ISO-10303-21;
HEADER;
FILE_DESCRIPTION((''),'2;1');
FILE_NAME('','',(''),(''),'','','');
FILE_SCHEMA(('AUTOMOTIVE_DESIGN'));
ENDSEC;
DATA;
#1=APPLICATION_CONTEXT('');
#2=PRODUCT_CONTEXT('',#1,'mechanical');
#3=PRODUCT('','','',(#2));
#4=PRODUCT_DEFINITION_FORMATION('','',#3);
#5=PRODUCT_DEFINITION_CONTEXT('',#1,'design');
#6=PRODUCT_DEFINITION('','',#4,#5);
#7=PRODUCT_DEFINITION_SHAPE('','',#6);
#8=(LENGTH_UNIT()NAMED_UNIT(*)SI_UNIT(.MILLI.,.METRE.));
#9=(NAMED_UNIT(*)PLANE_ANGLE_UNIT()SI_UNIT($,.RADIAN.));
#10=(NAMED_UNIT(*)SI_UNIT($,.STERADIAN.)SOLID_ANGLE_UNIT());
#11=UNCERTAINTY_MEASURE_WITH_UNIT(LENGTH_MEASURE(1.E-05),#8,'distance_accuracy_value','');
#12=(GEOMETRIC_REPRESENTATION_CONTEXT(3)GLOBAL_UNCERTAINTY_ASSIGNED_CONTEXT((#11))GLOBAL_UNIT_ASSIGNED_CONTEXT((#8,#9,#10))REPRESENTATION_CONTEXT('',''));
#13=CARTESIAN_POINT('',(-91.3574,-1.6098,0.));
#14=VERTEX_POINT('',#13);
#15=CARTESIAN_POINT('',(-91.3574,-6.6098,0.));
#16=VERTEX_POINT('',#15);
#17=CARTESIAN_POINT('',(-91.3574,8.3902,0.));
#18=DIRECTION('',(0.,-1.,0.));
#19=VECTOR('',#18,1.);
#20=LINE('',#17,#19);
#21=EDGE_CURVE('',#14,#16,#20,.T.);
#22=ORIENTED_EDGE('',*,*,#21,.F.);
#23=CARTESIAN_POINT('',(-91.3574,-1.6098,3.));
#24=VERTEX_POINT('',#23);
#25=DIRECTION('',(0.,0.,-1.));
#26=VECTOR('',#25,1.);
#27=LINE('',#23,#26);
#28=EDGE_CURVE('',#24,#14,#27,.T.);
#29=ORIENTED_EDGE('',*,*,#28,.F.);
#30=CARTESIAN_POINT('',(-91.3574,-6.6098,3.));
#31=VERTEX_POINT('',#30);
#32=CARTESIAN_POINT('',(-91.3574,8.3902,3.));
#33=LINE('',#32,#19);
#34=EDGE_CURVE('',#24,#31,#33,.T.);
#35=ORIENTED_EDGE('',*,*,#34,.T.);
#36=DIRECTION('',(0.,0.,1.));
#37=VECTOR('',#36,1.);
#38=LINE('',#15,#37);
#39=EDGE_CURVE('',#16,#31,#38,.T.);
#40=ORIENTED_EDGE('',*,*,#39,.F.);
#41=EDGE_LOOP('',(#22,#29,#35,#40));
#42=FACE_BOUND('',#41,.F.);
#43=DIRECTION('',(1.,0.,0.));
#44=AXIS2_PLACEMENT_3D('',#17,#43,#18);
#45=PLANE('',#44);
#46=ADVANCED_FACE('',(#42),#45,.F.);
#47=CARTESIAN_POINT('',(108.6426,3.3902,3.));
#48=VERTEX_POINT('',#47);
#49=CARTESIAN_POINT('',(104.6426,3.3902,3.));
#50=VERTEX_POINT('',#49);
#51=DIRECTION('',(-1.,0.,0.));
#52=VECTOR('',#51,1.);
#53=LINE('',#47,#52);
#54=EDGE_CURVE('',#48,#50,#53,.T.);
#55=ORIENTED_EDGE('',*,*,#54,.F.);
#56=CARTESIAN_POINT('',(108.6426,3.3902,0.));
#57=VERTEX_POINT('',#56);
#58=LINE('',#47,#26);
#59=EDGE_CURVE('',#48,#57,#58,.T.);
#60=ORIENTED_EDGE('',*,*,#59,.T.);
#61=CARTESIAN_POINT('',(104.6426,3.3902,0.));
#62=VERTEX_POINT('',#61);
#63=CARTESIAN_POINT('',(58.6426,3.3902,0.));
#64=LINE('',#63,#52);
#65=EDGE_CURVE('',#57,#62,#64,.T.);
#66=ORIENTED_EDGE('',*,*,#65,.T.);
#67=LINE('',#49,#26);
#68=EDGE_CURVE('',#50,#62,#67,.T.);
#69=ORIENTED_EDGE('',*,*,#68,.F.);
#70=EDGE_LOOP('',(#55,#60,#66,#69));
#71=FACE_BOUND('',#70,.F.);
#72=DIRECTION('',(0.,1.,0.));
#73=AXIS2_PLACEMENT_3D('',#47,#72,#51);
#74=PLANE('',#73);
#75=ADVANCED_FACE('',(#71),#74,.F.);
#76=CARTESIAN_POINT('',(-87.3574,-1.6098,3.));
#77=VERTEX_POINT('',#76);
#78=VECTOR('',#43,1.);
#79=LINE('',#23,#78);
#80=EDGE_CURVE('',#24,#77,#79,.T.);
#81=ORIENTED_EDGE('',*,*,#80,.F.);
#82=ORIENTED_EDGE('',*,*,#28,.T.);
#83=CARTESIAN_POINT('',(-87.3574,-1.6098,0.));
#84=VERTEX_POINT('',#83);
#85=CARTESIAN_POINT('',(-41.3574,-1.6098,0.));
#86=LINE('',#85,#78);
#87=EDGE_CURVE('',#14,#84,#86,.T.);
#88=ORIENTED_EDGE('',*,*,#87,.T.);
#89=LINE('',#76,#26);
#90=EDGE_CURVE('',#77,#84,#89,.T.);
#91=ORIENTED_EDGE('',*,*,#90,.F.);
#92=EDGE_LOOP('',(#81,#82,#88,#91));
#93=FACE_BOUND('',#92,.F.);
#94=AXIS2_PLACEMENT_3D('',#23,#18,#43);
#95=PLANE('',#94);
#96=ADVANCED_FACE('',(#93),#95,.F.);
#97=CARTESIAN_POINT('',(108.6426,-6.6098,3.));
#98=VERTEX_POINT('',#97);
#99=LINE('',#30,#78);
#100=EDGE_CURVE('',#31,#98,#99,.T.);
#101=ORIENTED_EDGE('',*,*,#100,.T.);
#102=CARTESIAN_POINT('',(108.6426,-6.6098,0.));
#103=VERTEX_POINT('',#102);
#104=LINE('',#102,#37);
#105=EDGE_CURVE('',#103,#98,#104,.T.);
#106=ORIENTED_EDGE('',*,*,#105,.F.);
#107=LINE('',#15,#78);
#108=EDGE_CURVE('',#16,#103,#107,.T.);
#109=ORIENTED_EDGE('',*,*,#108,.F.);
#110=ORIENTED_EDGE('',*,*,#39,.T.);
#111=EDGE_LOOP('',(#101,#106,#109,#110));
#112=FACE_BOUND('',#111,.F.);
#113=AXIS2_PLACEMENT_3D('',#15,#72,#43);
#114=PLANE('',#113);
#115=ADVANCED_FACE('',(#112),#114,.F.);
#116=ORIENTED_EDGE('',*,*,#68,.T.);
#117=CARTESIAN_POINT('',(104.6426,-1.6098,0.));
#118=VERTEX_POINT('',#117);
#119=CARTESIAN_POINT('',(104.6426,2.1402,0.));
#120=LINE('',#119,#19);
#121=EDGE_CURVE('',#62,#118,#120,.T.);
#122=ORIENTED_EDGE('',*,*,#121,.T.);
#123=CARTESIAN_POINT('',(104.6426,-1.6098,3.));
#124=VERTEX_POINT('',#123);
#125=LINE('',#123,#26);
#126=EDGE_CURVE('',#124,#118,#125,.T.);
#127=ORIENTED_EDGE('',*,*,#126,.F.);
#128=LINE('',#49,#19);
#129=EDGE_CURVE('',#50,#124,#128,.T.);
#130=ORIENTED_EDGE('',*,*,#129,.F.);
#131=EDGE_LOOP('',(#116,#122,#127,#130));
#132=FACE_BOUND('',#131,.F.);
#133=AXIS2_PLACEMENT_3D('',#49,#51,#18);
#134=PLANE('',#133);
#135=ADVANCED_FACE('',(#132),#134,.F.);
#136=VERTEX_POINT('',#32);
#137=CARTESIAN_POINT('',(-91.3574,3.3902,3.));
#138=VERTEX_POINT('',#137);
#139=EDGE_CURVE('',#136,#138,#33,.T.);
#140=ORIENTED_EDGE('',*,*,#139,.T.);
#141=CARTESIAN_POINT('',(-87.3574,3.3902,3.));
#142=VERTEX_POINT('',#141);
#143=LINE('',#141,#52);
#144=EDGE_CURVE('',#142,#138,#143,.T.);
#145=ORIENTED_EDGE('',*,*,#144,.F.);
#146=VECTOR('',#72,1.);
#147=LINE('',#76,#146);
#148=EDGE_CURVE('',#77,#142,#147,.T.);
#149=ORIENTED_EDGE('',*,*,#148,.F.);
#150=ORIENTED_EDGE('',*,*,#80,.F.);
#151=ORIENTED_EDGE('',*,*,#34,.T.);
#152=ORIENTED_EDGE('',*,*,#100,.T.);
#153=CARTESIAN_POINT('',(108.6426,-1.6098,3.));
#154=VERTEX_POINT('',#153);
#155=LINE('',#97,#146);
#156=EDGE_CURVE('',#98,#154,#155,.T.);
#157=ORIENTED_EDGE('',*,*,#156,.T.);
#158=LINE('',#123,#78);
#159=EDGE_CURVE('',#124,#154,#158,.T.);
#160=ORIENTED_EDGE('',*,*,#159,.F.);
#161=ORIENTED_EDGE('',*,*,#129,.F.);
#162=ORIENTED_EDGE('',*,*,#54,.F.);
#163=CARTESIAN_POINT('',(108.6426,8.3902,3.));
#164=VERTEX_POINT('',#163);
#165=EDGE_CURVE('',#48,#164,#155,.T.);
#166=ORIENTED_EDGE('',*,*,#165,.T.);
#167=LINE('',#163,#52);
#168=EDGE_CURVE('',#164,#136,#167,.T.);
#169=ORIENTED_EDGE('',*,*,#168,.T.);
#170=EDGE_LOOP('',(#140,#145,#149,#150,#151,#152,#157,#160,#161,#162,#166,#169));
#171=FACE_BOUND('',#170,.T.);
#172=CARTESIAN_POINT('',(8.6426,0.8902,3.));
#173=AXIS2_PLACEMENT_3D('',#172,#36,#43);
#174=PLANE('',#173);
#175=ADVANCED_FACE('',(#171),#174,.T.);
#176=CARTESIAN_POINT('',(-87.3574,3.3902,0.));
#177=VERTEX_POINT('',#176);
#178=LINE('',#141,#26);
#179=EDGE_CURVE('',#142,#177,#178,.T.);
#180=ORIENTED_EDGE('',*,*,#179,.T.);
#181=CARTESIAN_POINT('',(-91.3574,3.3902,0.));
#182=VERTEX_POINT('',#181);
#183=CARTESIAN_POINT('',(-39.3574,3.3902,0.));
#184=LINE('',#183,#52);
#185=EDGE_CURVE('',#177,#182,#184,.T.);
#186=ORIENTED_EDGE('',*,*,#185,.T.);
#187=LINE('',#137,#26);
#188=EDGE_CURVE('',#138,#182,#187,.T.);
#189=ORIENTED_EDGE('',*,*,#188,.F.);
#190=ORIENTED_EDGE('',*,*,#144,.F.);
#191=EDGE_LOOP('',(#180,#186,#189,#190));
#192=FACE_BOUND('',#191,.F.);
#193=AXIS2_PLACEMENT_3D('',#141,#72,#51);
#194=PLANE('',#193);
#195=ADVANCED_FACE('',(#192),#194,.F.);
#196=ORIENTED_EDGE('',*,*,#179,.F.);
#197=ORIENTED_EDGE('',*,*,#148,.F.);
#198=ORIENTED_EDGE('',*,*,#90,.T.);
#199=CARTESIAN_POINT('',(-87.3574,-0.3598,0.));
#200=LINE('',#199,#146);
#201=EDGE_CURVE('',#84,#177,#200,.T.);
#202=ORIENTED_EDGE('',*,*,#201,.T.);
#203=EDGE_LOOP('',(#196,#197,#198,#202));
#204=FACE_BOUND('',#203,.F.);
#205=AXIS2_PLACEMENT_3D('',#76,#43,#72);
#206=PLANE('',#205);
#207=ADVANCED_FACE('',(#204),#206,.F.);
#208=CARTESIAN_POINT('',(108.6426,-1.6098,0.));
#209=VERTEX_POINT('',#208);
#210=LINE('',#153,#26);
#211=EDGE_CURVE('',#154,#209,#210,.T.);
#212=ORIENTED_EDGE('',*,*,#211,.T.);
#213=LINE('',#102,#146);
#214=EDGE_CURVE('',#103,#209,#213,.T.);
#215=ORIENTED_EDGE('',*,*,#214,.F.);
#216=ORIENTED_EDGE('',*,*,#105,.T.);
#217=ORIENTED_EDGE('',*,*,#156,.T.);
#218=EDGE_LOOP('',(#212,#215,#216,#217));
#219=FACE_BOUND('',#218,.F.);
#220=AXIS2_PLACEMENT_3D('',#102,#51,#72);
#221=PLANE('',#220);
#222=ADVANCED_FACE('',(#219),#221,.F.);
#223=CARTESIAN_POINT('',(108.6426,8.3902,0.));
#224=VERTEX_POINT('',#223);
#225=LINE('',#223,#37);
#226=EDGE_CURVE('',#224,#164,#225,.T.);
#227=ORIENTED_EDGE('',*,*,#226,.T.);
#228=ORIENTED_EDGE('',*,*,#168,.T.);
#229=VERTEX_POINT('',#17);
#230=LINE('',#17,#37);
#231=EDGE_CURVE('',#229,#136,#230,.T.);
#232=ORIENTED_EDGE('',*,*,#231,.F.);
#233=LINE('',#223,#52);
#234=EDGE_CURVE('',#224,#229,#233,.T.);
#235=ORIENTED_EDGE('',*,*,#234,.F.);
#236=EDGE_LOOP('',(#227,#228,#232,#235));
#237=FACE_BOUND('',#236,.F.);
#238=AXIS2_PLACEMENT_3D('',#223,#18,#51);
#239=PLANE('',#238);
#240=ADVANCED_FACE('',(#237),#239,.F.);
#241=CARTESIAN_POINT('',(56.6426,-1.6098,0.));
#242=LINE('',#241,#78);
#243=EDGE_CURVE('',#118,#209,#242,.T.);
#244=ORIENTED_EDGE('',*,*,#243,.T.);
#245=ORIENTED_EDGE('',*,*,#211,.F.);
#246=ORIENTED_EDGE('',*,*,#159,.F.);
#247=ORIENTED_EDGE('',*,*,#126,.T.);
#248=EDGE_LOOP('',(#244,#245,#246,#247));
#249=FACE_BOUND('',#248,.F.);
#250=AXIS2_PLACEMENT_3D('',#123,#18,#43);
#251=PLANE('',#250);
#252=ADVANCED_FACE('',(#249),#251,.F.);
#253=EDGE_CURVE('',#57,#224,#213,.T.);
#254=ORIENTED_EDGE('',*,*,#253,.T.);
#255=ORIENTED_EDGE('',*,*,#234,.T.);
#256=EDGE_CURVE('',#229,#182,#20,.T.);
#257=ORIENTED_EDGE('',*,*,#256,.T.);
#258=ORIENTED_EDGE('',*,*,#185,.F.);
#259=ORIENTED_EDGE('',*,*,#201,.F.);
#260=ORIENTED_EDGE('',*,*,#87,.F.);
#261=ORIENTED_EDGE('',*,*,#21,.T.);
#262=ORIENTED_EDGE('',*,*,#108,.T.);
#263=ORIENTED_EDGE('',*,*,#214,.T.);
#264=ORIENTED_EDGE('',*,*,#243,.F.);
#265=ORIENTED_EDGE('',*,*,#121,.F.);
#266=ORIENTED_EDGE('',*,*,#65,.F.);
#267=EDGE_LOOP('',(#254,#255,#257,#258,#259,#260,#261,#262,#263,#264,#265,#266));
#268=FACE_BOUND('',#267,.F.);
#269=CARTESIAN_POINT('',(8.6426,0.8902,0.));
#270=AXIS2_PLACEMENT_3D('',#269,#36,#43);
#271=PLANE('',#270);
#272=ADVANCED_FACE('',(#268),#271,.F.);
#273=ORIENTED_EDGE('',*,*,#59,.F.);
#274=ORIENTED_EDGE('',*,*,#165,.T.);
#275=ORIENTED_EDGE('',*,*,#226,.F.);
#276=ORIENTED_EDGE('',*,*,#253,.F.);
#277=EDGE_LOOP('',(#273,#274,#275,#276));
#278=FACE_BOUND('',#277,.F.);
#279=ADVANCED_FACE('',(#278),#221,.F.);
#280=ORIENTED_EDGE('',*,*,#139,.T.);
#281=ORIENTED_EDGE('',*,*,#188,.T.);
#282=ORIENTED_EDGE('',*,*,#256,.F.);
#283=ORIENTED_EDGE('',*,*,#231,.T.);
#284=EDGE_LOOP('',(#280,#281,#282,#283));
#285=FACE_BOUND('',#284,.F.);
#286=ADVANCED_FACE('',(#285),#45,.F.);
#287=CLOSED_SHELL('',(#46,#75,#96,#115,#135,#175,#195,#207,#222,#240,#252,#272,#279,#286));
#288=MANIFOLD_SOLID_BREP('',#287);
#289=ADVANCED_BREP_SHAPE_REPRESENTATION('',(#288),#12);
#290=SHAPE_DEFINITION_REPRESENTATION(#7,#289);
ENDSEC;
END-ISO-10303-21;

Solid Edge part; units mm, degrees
sketch "Sketch1" plane through (0, 0, 0) normal (0, 0, 1) x (1, 0, 0)
  line L0 (-91.3574, -6.6098) -> (108.6426, -6.6098)
  line L1 (108.6426, -6.6098) -> (108.6426, 8.3902)
  line L2 (108.6426, 8.3902) -> (-91.3574, 8.3902)
  line L3 (-91.3574, 8.3902) -> (-91.3574, -6.6098)
extrude "Protrusion1" add sketch "Sketch1" along normal blind 3
sketch "Sketch2" plane through (8.6426, 0.8902, 3) normal (0, 0, 1) x (1, 0, 0)
  line L0 (96, -2.5) -> (100, -2.5)
  line L1 (100, -2.5) -> (100, 2.5)
  line L2 (100, 2.5) -> (96, 2.5)
  line L3 (96, 2.5) -> (96, -2.5)
  line L4 (-100, -2.5) -> (-96, -2.5)
  line L5 (-96, -2.5) -> (-96, 2.5)
  line L6 (-96, 2.5) -> (-100, 2.5)
  line L7 (-100, 2.5) -> (-100, -2.5)
  dimension "D1" = 5
  dimension "D2" = 4
  dimension "D3" = 5
  dimension "D4" = 5
  dimension "D5" = 4
  dimension "D6" = 5
extrude "Cutout1" cut sketch "Sketch2" against normal through all
